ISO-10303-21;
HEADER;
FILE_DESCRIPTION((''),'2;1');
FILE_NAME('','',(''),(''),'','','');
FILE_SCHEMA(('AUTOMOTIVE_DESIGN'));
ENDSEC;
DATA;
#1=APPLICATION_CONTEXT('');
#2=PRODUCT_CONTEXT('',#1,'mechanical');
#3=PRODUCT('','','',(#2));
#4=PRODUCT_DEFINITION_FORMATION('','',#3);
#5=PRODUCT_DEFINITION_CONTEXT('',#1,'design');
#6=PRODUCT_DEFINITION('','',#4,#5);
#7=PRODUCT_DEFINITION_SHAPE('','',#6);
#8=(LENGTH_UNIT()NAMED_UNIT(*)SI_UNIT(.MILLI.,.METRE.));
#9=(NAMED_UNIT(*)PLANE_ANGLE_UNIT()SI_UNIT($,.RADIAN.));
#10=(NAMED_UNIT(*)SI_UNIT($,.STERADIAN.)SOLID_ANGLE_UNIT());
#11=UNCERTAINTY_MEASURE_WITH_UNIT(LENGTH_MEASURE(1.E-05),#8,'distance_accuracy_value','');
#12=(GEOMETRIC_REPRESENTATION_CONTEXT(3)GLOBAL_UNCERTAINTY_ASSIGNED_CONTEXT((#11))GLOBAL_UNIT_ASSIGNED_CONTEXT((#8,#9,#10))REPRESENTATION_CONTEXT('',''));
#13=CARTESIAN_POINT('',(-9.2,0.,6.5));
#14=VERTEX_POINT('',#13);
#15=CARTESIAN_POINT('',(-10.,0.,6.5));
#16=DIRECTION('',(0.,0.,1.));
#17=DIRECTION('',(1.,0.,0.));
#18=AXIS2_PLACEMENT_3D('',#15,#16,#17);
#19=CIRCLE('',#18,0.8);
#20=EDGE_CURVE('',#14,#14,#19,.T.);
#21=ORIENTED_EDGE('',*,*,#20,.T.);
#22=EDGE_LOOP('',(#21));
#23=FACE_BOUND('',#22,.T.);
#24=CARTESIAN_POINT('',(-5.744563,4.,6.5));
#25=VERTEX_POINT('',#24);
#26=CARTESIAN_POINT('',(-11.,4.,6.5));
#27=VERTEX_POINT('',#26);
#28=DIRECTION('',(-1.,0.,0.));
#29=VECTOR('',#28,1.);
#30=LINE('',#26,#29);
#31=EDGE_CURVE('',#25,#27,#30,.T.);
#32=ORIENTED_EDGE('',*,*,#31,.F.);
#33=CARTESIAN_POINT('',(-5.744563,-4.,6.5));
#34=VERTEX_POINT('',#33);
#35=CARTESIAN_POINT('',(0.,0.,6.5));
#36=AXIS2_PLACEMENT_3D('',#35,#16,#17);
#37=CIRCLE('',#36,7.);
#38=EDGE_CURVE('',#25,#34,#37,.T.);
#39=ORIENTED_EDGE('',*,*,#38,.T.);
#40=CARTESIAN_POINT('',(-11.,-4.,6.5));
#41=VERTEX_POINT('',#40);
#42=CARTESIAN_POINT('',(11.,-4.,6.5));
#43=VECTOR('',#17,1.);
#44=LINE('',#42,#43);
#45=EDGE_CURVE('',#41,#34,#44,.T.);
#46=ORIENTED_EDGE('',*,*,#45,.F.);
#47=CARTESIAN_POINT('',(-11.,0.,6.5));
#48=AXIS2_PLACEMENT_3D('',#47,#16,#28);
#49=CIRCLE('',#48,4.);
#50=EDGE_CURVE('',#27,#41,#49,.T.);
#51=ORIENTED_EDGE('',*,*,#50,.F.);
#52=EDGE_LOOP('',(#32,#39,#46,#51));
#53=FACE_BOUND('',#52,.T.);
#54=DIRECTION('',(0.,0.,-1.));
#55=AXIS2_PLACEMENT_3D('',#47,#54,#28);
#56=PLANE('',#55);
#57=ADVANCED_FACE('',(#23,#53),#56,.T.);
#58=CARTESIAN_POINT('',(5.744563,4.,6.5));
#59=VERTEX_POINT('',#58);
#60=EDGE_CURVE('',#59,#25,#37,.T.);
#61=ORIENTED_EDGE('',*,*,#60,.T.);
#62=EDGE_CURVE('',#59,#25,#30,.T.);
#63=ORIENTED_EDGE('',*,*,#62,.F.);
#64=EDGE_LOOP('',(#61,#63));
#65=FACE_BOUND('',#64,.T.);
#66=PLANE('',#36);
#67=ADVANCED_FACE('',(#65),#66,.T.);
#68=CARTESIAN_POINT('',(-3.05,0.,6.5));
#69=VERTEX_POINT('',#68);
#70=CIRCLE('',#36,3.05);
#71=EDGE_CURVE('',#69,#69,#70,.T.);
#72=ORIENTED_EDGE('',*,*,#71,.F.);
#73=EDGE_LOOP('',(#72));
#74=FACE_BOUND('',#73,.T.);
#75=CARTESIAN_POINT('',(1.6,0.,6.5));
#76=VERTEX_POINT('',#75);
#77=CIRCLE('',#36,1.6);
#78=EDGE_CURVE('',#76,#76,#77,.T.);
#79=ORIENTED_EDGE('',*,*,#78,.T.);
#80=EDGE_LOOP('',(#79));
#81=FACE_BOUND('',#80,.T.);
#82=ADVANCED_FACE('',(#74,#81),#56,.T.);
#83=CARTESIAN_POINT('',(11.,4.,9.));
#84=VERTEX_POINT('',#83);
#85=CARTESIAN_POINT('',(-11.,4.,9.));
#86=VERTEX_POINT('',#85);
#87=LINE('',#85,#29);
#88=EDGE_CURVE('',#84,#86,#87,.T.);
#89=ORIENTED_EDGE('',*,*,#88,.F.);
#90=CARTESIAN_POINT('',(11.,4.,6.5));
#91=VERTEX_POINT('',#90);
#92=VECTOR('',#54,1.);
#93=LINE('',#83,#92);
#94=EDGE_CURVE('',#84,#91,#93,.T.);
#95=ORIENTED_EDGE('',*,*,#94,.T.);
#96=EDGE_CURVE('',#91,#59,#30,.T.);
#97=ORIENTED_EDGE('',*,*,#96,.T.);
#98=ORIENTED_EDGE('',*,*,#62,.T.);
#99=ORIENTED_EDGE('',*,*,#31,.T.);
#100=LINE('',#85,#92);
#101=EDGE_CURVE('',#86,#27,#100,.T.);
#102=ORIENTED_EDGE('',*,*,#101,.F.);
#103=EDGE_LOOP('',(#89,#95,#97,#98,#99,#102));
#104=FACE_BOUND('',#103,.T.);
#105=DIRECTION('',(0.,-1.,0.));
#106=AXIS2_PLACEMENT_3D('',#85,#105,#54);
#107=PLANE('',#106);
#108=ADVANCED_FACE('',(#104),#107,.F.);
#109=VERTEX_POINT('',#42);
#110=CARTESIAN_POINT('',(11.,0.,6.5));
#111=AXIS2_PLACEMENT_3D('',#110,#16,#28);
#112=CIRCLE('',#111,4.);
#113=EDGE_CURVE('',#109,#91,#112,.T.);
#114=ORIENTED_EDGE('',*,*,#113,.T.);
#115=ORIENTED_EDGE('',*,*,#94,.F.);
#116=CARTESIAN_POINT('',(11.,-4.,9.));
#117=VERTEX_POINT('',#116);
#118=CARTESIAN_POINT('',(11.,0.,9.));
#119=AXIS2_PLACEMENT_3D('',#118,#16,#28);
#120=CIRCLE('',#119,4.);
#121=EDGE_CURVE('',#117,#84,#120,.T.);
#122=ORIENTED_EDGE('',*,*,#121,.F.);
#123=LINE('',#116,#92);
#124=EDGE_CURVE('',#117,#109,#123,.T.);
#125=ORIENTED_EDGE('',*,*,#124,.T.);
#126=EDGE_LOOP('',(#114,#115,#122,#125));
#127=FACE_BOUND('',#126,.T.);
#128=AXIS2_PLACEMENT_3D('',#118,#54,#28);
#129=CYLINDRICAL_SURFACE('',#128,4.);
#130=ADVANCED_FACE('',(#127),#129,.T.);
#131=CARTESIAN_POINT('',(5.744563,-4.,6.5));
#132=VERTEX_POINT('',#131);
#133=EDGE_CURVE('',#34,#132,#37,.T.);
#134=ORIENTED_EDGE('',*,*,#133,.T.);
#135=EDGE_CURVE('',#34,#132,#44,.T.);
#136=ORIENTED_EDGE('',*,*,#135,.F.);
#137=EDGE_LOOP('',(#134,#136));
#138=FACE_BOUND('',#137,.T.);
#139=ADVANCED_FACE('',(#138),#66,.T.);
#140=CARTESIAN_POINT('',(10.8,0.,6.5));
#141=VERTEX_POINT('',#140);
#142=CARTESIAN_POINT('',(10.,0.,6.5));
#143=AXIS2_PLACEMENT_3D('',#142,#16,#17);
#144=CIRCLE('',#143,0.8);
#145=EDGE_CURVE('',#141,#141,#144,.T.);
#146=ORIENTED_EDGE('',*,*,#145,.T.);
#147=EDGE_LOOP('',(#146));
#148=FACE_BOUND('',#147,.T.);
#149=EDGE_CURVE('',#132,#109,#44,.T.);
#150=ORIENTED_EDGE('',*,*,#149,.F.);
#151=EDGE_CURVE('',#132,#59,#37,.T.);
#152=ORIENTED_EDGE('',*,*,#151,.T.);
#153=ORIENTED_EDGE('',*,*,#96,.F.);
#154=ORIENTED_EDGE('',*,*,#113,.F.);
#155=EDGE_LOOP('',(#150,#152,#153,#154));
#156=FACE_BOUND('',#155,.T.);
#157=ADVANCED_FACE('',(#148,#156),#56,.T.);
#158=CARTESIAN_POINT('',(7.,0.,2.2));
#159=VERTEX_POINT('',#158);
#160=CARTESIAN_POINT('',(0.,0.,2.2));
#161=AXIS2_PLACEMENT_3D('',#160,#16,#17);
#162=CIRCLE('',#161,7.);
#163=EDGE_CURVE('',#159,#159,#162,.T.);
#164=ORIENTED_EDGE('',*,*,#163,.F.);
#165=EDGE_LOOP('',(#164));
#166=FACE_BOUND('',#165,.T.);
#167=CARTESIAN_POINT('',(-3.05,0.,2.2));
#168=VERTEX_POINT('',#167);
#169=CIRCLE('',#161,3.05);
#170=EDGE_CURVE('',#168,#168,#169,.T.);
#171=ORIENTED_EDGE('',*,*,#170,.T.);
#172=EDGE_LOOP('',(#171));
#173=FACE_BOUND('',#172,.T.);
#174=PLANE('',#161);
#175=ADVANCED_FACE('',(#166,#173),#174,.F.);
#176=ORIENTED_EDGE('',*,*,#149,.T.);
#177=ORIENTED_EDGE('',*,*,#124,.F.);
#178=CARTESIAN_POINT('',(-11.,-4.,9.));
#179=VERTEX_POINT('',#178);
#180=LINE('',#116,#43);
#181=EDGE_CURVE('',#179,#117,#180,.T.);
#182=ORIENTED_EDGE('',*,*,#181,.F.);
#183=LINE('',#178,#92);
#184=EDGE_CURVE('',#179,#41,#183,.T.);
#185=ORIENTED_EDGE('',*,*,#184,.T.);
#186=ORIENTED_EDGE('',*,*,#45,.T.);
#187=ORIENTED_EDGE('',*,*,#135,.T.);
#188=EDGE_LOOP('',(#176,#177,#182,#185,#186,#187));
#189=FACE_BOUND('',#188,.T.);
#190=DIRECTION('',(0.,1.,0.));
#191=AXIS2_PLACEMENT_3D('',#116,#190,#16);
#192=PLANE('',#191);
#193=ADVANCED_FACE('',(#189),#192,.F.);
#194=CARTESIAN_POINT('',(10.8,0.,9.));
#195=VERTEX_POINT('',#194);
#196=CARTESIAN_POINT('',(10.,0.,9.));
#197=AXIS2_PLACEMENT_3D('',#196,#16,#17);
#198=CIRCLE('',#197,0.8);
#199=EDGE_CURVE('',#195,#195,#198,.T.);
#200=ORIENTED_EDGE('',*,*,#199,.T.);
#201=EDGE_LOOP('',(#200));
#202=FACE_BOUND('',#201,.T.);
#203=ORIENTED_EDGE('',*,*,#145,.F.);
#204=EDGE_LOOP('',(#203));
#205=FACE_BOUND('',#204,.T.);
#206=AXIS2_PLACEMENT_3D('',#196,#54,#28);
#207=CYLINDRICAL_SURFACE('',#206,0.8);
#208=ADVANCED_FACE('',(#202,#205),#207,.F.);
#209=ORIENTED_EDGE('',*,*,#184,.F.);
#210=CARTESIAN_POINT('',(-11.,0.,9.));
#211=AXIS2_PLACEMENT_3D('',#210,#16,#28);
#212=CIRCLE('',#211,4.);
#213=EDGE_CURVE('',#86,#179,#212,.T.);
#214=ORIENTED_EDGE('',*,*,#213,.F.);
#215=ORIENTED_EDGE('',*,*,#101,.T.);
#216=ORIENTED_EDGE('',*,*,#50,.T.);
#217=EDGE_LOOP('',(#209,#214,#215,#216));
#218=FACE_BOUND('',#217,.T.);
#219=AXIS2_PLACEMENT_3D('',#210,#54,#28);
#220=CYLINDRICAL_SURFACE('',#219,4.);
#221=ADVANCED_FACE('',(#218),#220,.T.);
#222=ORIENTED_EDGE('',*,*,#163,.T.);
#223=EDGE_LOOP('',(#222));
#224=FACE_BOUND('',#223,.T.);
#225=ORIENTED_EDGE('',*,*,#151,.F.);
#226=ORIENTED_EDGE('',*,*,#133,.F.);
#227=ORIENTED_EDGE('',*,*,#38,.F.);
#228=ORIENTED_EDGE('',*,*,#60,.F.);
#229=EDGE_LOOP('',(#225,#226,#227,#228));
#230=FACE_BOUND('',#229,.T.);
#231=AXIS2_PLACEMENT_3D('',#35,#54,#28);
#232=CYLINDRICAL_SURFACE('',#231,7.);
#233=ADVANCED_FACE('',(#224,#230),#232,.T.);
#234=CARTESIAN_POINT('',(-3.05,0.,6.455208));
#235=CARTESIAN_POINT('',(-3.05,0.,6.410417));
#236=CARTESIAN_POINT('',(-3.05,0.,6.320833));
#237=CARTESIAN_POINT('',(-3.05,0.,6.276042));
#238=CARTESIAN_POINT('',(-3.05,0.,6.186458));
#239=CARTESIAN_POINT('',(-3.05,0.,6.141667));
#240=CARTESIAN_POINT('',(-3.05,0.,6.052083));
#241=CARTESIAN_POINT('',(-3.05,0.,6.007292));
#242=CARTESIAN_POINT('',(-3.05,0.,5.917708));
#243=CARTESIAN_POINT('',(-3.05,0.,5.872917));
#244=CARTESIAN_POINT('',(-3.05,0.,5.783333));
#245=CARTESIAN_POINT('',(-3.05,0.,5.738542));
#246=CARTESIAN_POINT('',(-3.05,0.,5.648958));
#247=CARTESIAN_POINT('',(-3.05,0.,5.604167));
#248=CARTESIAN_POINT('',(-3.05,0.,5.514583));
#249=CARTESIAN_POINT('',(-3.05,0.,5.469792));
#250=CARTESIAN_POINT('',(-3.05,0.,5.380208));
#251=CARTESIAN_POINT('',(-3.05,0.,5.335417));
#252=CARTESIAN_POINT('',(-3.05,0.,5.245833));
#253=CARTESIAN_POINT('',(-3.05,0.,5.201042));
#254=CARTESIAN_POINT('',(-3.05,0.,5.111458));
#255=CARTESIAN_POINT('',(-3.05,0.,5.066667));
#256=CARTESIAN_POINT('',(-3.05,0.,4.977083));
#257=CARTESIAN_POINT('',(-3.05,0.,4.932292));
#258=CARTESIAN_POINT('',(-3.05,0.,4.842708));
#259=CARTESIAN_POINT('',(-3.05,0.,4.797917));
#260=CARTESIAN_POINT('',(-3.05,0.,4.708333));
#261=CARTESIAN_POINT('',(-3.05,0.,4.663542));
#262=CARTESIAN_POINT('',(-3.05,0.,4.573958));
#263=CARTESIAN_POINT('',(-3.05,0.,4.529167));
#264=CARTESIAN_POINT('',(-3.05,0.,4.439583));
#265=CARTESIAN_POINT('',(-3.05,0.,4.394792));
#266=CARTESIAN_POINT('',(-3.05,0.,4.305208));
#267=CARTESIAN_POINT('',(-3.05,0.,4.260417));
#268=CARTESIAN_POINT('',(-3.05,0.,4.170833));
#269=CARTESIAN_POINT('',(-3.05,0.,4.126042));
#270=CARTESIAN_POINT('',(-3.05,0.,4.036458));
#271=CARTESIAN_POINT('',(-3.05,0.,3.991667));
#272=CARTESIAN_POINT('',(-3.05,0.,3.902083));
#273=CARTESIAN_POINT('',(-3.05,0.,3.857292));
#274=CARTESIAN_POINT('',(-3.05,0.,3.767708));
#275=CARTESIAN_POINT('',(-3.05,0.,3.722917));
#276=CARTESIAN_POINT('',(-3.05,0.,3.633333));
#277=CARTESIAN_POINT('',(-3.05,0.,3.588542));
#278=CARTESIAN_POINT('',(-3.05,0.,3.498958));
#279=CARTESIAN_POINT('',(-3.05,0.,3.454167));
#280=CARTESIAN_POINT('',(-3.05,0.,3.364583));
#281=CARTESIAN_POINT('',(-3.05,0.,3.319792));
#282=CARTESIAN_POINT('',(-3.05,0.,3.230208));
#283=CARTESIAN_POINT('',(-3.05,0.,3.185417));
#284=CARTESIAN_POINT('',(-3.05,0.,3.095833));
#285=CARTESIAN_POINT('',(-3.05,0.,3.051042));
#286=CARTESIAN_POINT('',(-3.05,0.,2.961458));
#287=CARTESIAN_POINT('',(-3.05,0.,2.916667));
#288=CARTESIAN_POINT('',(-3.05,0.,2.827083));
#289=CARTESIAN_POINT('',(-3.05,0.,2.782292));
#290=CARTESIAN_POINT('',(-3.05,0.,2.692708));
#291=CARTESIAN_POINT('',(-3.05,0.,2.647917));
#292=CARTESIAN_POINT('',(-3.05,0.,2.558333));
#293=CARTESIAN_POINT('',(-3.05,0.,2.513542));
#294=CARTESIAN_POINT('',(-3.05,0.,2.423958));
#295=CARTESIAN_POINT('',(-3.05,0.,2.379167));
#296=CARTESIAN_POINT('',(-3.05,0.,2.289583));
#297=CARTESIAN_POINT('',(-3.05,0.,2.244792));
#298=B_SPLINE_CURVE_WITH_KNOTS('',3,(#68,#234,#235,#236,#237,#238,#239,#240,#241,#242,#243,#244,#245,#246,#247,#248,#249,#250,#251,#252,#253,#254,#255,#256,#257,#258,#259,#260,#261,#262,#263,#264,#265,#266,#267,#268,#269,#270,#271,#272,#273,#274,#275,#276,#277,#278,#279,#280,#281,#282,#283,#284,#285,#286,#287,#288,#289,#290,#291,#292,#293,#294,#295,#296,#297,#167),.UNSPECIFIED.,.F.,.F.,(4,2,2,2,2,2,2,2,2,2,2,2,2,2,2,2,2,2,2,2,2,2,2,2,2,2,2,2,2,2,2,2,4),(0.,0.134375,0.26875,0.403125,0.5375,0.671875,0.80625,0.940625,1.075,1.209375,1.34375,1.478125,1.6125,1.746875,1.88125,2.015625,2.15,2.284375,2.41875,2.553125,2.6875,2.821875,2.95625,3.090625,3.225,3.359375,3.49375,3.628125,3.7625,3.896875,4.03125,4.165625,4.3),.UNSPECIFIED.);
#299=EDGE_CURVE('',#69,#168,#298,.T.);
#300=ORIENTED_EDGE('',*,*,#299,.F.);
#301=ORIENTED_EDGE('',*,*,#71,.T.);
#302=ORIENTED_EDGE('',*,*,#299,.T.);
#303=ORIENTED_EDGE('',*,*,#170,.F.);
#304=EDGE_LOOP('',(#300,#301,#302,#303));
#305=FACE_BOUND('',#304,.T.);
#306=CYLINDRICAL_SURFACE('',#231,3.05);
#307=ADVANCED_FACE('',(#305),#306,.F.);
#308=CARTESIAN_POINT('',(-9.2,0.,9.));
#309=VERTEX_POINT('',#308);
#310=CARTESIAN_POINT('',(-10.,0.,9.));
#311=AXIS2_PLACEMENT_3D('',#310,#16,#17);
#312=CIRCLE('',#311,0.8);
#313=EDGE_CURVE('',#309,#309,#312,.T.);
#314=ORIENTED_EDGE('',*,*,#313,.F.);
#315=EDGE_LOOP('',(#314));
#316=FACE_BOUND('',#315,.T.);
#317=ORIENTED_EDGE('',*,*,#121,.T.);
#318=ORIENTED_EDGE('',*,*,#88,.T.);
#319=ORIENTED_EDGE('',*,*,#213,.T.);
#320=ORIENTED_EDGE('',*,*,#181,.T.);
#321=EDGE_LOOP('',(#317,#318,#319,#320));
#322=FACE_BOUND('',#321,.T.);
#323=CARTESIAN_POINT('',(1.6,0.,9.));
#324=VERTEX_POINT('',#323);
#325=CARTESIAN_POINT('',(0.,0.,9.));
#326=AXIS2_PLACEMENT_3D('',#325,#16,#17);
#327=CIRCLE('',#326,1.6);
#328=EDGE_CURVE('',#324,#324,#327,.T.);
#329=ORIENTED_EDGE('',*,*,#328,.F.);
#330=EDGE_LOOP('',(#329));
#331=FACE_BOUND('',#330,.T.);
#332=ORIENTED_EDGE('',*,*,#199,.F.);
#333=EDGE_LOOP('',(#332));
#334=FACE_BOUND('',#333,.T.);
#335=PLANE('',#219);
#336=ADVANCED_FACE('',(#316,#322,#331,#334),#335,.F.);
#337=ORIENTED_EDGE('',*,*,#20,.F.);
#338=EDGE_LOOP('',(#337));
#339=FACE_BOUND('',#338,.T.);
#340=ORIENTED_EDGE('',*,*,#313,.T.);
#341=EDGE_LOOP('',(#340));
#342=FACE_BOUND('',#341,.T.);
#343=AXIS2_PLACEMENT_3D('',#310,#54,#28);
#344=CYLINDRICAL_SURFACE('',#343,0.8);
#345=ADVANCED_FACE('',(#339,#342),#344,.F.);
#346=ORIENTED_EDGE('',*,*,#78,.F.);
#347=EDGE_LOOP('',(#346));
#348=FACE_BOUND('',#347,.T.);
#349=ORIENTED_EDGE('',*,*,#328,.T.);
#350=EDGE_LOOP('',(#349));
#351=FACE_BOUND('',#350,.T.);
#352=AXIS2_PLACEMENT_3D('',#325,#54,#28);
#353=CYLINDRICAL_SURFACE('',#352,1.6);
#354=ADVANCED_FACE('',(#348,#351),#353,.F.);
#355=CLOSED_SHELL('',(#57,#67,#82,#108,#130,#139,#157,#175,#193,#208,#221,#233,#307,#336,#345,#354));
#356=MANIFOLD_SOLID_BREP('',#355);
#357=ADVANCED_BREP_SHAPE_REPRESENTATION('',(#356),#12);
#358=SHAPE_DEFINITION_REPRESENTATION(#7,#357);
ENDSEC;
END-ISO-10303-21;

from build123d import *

# Parameters (mm, degrees)
HUB_START   = 2.2
SKETCH1_R   = 7
SKETCH1_R_2 = 3.05
HUB_DEPTH   = 4.3
ARM_START   = 6.5
SKETCH2_R   = 1.6
SKETCH2_R_2 = 0.8
ARM_DEPTH   = 2.5


with BuildPart() as part:
    # Sketch1 → Hub (new body)
    with BuildSketch(Plane.XY.offset(HUB_START)):
        with Locations(Location((0, 0, 0), (0, 0, 180))):
            Circle(SKETCH1_R)
        with Locations(Location((0, 0, 0), (0, 0, 180))):
            Circle(SKETCH1_R_2, mode=Mode.SUBTRACT)
    extrude(amount=HUB_DEPTH)

    # Sketch2 → Arm (add)
    with BuildSketch(Plane.XY.offset(ARM_START)):
        with BuildLine():
            Line((-11, 4), (11, 4))
            ThreePointArc((11, 4), (15, 0), (11, -4))
            Line((11, -4), (-11, -4))
            ThreePointArc((-11, -4), (-15, 0), (-11, 4))
        make_face()
        Circle(SKETCH2_R, mode=Mode.SUBTRACT)
        with Locations((-10, 0)):
            Circle(SKETCH2_R_2, mode=Mode.SUBTRACT)
        with Locations((10, 0)):
            Circle(SKETCH2_R_2, mode=Mode.SUBTRACT)
    extrude(amount=ARM_DEPTH)


solid = part.part
